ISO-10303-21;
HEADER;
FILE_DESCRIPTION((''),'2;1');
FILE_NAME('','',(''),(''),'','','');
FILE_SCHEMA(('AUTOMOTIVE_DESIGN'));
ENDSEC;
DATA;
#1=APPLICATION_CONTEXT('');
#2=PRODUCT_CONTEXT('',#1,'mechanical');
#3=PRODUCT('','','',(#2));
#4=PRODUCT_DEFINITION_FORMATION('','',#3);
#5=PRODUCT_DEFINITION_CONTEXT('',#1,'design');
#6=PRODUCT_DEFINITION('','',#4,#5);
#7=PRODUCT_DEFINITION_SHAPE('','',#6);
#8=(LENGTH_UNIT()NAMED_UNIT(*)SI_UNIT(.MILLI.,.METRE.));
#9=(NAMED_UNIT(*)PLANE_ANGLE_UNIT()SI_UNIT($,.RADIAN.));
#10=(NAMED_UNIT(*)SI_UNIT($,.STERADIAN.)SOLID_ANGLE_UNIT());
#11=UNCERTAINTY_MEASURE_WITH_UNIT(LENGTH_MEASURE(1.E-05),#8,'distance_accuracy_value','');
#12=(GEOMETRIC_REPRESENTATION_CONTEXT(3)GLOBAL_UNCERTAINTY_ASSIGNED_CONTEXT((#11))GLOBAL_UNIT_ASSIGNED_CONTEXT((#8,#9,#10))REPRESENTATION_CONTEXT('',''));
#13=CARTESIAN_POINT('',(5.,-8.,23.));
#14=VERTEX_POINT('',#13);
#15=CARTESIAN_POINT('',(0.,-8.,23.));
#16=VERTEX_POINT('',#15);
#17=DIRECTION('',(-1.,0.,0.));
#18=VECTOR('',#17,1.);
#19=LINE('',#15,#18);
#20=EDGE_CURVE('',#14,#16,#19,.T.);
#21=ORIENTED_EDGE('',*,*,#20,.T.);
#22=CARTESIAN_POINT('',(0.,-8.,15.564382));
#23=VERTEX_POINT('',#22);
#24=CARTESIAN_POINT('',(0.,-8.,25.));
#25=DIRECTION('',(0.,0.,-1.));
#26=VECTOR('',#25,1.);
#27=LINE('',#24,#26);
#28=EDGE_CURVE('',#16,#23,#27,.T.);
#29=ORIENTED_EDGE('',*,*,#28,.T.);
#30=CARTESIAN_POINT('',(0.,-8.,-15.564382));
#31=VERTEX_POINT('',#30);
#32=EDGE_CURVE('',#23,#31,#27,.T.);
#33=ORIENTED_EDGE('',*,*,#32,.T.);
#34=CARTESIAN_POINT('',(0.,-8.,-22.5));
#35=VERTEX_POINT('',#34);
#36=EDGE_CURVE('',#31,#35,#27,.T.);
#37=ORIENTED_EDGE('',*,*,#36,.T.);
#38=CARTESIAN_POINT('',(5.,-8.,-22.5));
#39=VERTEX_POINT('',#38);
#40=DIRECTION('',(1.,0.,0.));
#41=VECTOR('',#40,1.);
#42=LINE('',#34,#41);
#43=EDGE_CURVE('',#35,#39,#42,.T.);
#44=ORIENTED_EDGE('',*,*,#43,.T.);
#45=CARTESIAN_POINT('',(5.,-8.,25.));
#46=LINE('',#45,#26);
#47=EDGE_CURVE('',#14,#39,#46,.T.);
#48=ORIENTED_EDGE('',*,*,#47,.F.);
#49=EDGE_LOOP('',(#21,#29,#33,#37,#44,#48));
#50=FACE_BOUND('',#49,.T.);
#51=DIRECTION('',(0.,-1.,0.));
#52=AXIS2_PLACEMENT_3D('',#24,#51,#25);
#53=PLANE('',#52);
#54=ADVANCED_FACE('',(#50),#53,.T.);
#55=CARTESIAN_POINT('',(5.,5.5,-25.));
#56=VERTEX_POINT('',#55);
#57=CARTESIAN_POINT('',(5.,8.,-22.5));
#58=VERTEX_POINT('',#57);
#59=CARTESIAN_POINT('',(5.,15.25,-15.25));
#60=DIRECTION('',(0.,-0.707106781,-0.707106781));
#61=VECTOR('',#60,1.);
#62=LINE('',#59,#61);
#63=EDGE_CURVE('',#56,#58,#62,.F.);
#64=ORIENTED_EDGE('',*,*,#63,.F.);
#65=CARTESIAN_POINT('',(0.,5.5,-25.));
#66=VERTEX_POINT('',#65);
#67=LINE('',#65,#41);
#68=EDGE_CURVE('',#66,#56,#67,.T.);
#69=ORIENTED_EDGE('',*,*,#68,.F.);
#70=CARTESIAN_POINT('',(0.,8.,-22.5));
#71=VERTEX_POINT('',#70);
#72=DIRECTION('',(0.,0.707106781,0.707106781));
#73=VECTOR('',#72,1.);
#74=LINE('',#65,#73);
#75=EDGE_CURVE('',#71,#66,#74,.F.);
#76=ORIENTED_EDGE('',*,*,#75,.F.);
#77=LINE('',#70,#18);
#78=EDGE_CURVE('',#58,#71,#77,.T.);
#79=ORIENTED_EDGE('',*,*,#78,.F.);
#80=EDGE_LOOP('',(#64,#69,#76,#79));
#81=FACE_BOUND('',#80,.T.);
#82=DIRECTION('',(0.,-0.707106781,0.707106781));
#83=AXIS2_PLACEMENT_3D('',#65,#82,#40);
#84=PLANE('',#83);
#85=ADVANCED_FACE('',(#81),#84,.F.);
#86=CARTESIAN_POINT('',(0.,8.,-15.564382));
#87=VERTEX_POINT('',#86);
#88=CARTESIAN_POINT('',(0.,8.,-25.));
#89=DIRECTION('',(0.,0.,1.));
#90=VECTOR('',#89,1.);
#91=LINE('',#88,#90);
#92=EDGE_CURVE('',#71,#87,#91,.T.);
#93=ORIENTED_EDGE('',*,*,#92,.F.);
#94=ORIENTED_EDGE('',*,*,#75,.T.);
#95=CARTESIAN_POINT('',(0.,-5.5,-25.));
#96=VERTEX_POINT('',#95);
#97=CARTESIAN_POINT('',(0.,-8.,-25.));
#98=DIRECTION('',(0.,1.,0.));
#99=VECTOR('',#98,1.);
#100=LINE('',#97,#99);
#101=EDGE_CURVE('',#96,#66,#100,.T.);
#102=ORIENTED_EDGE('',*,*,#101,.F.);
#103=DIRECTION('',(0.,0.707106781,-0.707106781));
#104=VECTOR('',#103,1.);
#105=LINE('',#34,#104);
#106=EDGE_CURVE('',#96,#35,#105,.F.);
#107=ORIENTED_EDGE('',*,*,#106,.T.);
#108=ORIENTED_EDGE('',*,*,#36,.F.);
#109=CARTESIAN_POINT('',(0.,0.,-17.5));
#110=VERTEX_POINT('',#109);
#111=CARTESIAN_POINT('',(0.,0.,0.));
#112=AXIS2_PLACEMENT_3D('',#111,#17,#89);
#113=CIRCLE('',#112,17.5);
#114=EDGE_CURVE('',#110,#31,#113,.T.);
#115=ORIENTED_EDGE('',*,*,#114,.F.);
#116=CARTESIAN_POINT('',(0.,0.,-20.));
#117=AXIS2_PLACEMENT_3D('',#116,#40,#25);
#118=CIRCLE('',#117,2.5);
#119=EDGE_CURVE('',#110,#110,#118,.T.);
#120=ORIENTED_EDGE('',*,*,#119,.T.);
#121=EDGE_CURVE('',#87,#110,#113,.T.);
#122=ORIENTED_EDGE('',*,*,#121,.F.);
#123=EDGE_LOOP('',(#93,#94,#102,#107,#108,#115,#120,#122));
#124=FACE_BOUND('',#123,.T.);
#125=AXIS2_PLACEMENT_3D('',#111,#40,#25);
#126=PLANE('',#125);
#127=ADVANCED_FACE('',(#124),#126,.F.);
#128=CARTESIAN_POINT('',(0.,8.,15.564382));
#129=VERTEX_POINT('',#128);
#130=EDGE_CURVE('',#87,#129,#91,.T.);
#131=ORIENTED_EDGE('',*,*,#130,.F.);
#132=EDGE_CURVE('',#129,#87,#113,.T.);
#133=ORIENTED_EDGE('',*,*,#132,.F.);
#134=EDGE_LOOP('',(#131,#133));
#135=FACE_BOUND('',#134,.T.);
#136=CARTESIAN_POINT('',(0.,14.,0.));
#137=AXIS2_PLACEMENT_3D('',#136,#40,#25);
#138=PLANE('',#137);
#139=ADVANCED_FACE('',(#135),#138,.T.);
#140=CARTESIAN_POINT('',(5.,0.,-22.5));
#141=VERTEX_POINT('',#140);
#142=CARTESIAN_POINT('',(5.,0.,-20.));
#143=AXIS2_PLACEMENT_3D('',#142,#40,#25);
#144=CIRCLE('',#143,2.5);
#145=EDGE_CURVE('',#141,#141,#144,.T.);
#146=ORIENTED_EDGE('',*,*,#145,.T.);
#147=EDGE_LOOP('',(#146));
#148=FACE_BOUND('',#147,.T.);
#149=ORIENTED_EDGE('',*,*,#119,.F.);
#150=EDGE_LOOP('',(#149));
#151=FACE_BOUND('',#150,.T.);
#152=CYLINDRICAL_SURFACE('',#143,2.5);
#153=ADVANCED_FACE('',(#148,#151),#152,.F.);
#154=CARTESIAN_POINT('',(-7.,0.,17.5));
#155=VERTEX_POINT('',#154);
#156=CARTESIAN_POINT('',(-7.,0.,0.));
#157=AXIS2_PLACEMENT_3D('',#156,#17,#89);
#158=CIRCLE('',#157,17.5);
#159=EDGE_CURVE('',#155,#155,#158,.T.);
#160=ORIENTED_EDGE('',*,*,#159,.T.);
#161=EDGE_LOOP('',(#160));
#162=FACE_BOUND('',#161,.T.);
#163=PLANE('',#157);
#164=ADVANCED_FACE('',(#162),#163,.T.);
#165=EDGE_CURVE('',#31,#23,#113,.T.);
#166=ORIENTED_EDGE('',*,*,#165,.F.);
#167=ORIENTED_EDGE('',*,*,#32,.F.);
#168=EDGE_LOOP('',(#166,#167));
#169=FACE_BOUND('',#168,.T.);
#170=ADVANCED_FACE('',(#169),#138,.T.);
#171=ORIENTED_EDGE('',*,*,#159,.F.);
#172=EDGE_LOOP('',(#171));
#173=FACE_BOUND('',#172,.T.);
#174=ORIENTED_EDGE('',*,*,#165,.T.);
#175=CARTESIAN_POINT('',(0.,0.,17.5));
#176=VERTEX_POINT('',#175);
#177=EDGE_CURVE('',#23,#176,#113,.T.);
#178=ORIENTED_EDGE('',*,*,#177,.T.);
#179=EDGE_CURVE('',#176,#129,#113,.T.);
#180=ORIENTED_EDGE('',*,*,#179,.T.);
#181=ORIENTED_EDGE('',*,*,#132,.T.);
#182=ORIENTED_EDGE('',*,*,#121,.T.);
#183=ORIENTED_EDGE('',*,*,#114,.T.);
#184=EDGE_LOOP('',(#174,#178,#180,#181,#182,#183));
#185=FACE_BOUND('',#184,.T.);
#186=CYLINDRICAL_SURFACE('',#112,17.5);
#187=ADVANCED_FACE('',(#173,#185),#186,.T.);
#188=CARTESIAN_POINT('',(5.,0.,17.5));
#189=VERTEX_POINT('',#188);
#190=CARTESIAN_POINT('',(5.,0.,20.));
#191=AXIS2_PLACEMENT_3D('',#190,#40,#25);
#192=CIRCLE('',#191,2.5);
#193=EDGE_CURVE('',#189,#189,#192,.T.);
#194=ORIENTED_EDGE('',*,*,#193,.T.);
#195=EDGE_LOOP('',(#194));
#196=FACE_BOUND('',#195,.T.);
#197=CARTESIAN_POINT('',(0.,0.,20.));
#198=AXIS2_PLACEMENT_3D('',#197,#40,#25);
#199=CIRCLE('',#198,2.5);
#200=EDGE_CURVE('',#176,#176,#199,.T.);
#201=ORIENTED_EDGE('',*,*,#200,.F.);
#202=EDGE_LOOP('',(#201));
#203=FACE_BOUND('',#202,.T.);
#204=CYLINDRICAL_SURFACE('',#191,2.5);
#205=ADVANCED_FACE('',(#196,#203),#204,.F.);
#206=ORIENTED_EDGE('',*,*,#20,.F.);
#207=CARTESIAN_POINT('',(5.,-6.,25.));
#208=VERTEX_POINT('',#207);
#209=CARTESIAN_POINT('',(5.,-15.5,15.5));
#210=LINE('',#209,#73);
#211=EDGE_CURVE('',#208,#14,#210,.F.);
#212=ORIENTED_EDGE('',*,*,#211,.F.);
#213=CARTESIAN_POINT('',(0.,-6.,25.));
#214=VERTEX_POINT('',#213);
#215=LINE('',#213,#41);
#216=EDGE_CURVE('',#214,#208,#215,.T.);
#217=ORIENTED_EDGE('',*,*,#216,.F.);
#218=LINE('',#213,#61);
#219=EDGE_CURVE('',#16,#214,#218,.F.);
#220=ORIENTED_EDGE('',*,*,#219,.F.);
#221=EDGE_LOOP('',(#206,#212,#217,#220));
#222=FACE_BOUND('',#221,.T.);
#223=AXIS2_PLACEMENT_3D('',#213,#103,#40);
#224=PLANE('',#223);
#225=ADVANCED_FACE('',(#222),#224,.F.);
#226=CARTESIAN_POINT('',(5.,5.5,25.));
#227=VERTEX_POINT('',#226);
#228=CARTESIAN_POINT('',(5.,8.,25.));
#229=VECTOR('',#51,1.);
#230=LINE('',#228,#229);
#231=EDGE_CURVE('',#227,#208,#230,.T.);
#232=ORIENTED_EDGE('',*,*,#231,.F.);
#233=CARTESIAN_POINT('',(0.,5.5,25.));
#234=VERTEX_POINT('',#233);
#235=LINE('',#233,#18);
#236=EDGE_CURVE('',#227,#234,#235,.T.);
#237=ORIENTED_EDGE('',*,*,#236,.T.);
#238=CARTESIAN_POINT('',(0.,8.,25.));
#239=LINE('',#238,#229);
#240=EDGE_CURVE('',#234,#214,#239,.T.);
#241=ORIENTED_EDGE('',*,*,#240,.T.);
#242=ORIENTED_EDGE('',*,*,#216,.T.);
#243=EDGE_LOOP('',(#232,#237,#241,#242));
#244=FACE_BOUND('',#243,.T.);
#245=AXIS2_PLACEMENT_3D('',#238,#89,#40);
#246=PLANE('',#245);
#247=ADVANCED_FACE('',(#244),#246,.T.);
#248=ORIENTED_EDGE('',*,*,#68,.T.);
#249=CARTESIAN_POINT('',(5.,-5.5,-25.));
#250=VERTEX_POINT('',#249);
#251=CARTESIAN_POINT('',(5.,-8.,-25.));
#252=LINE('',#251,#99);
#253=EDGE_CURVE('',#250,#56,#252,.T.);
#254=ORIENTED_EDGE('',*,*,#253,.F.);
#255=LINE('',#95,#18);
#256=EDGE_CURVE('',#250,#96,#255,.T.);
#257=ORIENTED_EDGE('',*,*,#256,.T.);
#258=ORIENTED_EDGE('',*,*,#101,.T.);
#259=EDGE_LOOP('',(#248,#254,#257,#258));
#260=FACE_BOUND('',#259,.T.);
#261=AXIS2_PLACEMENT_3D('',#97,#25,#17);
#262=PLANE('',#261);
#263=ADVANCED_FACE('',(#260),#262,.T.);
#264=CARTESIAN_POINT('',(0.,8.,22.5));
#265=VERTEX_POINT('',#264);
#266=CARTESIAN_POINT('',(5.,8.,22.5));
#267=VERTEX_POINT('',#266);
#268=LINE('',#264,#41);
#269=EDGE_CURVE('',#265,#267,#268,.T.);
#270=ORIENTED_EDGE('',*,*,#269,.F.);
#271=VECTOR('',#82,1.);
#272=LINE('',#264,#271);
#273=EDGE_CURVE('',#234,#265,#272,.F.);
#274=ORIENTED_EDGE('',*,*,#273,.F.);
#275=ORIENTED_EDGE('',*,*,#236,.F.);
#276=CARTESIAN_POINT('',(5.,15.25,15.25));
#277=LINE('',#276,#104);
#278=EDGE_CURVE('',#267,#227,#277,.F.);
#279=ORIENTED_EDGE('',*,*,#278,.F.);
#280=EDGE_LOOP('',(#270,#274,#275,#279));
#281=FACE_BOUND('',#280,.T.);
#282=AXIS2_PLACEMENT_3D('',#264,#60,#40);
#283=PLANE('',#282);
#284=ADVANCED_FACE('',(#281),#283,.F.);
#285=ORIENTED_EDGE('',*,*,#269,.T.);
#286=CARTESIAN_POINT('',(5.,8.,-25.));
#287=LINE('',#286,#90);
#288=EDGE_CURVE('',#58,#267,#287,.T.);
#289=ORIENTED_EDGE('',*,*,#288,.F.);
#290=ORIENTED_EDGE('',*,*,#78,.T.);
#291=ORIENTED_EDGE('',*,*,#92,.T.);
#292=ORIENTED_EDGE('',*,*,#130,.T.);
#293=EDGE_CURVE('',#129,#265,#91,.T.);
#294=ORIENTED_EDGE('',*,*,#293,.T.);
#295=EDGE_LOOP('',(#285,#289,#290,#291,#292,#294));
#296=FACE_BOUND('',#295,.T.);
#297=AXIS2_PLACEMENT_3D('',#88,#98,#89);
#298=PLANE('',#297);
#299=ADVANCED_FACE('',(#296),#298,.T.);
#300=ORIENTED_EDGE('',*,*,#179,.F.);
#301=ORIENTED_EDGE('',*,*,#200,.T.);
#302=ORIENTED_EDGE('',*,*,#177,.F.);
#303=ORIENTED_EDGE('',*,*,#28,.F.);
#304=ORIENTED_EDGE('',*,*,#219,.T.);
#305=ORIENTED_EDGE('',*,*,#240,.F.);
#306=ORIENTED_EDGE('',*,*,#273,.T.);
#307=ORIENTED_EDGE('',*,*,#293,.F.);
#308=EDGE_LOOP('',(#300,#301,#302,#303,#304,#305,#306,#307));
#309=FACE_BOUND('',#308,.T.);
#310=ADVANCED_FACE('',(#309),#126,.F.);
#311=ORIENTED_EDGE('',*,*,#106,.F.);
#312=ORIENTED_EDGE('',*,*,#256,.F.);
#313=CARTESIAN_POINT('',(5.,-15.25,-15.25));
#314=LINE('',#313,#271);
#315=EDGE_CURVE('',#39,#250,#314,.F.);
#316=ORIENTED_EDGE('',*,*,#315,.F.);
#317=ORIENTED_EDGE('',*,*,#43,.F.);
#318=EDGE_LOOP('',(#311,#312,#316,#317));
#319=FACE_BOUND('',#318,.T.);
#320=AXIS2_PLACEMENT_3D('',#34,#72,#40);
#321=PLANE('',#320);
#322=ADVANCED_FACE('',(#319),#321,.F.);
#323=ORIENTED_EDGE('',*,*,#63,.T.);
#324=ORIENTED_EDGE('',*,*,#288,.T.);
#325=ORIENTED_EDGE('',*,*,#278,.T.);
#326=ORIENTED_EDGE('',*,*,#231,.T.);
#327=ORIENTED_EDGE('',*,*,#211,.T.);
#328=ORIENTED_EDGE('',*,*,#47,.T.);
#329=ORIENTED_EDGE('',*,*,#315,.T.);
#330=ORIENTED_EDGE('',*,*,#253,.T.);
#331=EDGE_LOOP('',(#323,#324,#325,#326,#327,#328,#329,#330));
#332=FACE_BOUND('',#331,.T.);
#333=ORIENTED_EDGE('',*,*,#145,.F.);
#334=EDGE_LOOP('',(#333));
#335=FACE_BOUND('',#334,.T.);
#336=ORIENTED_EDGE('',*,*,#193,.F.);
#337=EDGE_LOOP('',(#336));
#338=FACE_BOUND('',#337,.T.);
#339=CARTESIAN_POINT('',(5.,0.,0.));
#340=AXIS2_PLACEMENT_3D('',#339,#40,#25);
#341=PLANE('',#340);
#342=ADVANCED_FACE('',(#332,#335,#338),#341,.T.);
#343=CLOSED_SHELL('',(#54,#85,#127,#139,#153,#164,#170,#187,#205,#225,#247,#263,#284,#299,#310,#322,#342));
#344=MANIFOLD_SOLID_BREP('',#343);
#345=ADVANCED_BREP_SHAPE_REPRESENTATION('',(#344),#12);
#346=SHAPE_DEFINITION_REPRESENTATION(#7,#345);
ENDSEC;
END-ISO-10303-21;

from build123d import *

# Parameters (mm, degrees)
SKETCH1_W                    = 50
SKETCH1_H                    = 16
BOSS_EXTRUDE1_DEPTH          = 5
SKETCH2_W                    = 7
SKETCH2_H                    = 14
F_5_0_5_DIAMETER_HOLE1_D     = 5
F_5_0_5_DIAMETER_HOLE1_DEPTH = 12
CHAMFER1_SIZE                = 2.5
CHAMFER2_SIZE                = 2
SKETCH5_R                    = 17.5
BOSS_EXTRUDE2_DEPTH          = 7


with BuildPart() as part:
    # Sketch1 → Boss-Extrude1 (new body)
    with BuildSketch(Plane(origin=(5, 0, 0), x_dir=(0, 0, -1), z_dir=(1, 0, 0))):
        Rectangle(SKETCH1_W, SKETCH1_H)
    extrude(amount=-BOSS_EXTRUDE1_DEPTH)

    # Sketch2 → Revolve1 (revolve)
    with BuildSketch(Plane(origin=(0, 0, 0), x_dir=(-1, 0, 0), z_dir=(0, 0, -1)), mode=Mode.PRIVATE) as revolve1_sk:
        with Locations((3.5, 7)):
            Rectangle(SKETCH2_W, SKETCH2_H)
    revolve(revolve1_sk.sketch.rotate(Axis((0, 0, 0), (-1, 0, 0)), 270), axis=Axis((0, 0, 0), (-1, 0, 0)))

    # Ø5.0 (5) Diameter Hole1
    with Locations(Plane(origin=(5, 0, 0), x_dir=(0, 0, -1), z_dir=(1, 0, 0))):
        with Locations((-20, 0), (20, 0)):
            Hole(F_5_0_5_DIAMETER_HOLE1_D / 2, depth=F_5_0_5_DIAMETER_HOLE1_DEPTH)

    # Chamfer1
    chamfer1_edges = [part.edges().sort_by_distance(p)[0] for p in [
        (2.5, 8, 25),
        (2.5, 8, -25),
        (2.5, -8, -25),
    ]]
    chamfer(chamfer1_edges, length=CHAMFER1_SIZE)

    # Chamfer2
    chamfer2_edges = [part.edges().sort_by_distance(p)[0] for p in [
        (2.5, -8, 25),
    ]]
    chamfer(chamfer2_edges, length=CHAMFER2_SIZE)

    # Sketch5 → Boss-Extrude2 (add)
    with BuildSketch(Plane.ZY.offset(7)):
        Circle(SKETCH5_R)
    extrude(amount=-BOSS_EXTRUDE2_DEPTH)


solid = part.part
